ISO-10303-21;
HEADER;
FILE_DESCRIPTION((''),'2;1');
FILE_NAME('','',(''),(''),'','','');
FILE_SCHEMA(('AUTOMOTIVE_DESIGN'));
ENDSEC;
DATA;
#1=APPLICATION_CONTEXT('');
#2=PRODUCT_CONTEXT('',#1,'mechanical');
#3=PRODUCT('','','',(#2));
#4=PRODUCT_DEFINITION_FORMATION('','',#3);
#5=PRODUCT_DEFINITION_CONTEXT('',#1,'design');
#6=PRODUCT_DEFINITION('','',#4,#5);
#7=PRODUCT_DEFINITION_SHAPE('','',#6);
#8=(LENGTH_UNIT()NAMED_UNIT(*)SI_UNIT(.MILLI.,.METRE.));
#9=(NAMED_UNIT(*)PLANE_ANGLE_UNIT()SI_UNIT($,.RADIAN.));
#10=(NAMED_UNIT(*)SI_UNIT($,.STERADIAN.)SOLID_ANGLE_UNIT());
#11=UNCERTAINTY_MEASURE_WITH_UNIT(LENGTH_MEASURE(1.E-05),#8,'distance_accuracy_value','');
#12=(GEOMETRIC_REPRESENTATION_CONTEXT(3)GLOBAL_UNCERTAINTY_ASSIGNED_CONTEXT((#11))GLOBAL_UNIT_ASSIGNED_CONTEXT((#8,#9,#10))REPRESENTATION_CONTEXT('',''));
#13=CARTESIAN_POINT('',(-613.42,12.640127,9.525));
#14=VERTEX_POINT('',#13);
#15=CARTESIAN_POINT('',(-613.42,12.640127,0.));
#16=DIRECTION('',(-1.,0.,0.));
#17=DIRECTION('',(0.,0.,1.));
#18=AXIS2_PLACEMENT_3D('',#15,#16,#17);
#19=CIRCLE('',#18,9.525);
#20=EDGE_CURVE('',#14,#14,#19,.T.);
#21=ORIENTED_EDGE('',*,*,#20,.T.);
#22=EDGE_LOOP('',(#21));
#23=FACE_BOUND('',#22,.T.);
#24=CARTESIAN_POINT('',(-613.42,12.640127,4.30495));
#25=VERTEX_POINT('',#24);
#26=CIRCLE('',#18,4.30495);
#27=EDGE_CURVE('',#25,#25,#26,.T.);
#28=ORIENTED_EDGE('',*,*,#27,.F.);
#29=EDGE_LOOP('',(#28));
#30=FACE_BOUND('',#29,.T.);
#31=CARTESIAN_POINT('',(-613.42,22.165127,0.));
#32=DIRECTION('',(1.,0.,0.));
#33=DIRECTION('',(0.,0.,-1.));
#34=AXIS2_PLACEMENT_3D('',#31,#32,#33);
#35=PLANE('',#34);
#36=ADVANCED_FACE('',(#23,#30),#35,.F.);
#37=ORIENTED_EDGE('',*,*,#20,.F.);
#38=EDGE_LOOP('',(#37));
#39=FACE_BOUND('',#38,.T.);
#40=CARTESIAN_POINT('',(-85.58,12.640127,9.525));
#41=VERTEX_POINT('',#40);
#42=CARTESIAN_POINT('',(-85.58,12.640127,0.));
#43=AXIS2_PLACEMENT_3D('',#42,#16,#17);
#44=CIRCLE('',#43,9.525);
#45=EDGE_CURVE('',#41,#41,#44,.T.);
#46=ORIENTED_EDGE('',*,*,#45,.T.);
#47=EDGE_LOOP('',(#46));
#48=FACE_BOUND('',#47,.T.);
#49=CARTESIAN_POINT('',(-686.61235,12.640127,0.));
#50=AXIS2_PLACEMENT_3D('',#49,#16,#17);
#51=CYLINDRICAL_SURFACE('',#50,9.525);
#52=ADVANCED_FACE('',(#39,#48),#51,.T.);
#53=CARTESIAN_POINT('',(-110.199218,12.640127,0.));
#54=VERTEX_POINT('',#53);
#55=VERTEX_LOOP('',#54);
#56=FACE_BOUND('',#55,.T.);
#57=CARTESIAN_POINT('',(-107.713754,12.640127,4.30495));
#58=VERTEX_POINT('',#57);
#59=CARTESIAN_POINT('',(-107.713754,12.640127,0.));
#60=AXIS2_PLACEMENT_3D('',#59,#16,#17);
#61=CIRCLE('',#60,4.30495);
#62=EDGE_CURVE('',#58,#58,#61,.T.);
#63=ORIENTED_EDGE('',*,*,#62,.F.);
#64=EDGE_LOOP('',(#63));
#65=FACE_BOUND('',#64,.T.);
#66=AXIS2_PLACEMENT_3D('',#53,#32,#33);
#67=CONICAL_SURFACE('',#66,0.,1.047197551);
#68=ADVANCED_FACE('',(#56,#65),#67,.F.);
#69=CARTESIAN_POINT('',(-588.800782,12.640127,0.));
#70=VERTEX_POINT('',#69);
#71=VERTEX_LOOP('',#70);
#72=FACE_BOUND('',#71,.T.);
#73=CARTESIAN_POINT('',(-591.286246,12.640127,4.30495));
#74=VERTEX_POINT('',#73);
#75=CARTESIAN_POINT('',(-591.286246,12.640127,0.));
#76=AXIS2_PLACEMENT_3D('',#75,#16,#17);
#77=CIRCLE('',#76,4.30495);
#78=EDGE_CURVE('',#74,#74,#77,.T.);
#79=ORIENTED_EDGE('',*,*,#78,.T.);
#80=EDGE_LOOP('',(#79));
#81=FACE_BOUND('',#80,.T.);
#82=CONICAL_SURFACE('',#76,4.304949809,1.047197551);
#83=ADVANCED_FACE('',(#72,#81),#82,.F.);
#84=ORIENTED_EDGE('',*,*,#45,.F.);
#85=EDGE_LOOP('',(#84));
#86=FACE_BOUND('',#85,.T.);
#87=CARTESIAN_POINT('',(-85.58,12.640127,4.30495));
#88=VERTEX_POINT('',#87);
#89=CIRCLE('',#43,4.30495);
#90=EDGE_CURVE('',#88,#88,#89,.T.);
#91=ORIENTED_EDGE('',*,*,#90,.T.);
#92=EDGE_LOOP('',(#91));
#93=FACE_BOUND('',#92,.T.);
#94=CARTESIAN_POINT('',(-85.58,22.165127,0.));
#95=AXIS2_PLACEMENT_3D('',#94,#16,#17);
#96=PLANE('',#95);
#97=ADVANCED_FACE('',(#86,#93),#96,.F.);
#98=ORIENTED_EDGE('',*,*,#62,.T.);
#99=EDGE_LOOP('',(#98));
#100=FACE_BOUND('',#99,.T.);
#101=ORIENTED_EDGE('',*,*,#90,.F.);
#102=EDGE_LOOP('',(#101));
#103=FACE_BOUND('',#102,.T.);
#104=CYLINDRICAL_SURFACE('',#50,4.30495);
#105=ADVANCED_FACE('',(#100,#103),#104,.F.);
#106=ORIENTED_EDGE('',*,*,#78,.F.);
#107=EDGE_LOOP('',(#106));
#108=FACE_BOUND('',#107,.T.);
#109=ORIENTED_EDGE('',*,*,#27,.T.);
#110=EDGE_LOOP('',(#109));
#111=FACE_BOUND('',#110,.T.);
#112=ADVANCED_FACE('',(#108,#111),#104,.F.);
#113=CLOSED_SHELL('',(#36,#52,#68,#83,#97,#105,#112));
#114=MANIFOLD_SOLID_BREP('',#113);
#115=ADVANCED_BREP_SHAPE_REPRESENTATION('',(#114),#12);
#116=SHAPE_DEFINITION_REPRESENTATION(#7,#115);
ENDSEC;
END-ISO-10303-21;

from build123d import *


with BuildPart() as part:
    # Sketch1 → Revolve1 (revolve)
    with BuildSketch(Plane.XY):
        Polygon((-613.42, 16.945076589), (-591.286245754, 16.945076589), (-588.800781823, 12.640126781), (-110.199218177, 12.640126781), (-107.713754246, 16.945076589), (-85.58, 16.945076589), (-85.58, 22.165126781), (-613.42, 22.165126781), align=None)
    revolve(axis=Axis((-686.612350473, 12.640126781, 0), (1, 0, 0)))


solid = part.part
